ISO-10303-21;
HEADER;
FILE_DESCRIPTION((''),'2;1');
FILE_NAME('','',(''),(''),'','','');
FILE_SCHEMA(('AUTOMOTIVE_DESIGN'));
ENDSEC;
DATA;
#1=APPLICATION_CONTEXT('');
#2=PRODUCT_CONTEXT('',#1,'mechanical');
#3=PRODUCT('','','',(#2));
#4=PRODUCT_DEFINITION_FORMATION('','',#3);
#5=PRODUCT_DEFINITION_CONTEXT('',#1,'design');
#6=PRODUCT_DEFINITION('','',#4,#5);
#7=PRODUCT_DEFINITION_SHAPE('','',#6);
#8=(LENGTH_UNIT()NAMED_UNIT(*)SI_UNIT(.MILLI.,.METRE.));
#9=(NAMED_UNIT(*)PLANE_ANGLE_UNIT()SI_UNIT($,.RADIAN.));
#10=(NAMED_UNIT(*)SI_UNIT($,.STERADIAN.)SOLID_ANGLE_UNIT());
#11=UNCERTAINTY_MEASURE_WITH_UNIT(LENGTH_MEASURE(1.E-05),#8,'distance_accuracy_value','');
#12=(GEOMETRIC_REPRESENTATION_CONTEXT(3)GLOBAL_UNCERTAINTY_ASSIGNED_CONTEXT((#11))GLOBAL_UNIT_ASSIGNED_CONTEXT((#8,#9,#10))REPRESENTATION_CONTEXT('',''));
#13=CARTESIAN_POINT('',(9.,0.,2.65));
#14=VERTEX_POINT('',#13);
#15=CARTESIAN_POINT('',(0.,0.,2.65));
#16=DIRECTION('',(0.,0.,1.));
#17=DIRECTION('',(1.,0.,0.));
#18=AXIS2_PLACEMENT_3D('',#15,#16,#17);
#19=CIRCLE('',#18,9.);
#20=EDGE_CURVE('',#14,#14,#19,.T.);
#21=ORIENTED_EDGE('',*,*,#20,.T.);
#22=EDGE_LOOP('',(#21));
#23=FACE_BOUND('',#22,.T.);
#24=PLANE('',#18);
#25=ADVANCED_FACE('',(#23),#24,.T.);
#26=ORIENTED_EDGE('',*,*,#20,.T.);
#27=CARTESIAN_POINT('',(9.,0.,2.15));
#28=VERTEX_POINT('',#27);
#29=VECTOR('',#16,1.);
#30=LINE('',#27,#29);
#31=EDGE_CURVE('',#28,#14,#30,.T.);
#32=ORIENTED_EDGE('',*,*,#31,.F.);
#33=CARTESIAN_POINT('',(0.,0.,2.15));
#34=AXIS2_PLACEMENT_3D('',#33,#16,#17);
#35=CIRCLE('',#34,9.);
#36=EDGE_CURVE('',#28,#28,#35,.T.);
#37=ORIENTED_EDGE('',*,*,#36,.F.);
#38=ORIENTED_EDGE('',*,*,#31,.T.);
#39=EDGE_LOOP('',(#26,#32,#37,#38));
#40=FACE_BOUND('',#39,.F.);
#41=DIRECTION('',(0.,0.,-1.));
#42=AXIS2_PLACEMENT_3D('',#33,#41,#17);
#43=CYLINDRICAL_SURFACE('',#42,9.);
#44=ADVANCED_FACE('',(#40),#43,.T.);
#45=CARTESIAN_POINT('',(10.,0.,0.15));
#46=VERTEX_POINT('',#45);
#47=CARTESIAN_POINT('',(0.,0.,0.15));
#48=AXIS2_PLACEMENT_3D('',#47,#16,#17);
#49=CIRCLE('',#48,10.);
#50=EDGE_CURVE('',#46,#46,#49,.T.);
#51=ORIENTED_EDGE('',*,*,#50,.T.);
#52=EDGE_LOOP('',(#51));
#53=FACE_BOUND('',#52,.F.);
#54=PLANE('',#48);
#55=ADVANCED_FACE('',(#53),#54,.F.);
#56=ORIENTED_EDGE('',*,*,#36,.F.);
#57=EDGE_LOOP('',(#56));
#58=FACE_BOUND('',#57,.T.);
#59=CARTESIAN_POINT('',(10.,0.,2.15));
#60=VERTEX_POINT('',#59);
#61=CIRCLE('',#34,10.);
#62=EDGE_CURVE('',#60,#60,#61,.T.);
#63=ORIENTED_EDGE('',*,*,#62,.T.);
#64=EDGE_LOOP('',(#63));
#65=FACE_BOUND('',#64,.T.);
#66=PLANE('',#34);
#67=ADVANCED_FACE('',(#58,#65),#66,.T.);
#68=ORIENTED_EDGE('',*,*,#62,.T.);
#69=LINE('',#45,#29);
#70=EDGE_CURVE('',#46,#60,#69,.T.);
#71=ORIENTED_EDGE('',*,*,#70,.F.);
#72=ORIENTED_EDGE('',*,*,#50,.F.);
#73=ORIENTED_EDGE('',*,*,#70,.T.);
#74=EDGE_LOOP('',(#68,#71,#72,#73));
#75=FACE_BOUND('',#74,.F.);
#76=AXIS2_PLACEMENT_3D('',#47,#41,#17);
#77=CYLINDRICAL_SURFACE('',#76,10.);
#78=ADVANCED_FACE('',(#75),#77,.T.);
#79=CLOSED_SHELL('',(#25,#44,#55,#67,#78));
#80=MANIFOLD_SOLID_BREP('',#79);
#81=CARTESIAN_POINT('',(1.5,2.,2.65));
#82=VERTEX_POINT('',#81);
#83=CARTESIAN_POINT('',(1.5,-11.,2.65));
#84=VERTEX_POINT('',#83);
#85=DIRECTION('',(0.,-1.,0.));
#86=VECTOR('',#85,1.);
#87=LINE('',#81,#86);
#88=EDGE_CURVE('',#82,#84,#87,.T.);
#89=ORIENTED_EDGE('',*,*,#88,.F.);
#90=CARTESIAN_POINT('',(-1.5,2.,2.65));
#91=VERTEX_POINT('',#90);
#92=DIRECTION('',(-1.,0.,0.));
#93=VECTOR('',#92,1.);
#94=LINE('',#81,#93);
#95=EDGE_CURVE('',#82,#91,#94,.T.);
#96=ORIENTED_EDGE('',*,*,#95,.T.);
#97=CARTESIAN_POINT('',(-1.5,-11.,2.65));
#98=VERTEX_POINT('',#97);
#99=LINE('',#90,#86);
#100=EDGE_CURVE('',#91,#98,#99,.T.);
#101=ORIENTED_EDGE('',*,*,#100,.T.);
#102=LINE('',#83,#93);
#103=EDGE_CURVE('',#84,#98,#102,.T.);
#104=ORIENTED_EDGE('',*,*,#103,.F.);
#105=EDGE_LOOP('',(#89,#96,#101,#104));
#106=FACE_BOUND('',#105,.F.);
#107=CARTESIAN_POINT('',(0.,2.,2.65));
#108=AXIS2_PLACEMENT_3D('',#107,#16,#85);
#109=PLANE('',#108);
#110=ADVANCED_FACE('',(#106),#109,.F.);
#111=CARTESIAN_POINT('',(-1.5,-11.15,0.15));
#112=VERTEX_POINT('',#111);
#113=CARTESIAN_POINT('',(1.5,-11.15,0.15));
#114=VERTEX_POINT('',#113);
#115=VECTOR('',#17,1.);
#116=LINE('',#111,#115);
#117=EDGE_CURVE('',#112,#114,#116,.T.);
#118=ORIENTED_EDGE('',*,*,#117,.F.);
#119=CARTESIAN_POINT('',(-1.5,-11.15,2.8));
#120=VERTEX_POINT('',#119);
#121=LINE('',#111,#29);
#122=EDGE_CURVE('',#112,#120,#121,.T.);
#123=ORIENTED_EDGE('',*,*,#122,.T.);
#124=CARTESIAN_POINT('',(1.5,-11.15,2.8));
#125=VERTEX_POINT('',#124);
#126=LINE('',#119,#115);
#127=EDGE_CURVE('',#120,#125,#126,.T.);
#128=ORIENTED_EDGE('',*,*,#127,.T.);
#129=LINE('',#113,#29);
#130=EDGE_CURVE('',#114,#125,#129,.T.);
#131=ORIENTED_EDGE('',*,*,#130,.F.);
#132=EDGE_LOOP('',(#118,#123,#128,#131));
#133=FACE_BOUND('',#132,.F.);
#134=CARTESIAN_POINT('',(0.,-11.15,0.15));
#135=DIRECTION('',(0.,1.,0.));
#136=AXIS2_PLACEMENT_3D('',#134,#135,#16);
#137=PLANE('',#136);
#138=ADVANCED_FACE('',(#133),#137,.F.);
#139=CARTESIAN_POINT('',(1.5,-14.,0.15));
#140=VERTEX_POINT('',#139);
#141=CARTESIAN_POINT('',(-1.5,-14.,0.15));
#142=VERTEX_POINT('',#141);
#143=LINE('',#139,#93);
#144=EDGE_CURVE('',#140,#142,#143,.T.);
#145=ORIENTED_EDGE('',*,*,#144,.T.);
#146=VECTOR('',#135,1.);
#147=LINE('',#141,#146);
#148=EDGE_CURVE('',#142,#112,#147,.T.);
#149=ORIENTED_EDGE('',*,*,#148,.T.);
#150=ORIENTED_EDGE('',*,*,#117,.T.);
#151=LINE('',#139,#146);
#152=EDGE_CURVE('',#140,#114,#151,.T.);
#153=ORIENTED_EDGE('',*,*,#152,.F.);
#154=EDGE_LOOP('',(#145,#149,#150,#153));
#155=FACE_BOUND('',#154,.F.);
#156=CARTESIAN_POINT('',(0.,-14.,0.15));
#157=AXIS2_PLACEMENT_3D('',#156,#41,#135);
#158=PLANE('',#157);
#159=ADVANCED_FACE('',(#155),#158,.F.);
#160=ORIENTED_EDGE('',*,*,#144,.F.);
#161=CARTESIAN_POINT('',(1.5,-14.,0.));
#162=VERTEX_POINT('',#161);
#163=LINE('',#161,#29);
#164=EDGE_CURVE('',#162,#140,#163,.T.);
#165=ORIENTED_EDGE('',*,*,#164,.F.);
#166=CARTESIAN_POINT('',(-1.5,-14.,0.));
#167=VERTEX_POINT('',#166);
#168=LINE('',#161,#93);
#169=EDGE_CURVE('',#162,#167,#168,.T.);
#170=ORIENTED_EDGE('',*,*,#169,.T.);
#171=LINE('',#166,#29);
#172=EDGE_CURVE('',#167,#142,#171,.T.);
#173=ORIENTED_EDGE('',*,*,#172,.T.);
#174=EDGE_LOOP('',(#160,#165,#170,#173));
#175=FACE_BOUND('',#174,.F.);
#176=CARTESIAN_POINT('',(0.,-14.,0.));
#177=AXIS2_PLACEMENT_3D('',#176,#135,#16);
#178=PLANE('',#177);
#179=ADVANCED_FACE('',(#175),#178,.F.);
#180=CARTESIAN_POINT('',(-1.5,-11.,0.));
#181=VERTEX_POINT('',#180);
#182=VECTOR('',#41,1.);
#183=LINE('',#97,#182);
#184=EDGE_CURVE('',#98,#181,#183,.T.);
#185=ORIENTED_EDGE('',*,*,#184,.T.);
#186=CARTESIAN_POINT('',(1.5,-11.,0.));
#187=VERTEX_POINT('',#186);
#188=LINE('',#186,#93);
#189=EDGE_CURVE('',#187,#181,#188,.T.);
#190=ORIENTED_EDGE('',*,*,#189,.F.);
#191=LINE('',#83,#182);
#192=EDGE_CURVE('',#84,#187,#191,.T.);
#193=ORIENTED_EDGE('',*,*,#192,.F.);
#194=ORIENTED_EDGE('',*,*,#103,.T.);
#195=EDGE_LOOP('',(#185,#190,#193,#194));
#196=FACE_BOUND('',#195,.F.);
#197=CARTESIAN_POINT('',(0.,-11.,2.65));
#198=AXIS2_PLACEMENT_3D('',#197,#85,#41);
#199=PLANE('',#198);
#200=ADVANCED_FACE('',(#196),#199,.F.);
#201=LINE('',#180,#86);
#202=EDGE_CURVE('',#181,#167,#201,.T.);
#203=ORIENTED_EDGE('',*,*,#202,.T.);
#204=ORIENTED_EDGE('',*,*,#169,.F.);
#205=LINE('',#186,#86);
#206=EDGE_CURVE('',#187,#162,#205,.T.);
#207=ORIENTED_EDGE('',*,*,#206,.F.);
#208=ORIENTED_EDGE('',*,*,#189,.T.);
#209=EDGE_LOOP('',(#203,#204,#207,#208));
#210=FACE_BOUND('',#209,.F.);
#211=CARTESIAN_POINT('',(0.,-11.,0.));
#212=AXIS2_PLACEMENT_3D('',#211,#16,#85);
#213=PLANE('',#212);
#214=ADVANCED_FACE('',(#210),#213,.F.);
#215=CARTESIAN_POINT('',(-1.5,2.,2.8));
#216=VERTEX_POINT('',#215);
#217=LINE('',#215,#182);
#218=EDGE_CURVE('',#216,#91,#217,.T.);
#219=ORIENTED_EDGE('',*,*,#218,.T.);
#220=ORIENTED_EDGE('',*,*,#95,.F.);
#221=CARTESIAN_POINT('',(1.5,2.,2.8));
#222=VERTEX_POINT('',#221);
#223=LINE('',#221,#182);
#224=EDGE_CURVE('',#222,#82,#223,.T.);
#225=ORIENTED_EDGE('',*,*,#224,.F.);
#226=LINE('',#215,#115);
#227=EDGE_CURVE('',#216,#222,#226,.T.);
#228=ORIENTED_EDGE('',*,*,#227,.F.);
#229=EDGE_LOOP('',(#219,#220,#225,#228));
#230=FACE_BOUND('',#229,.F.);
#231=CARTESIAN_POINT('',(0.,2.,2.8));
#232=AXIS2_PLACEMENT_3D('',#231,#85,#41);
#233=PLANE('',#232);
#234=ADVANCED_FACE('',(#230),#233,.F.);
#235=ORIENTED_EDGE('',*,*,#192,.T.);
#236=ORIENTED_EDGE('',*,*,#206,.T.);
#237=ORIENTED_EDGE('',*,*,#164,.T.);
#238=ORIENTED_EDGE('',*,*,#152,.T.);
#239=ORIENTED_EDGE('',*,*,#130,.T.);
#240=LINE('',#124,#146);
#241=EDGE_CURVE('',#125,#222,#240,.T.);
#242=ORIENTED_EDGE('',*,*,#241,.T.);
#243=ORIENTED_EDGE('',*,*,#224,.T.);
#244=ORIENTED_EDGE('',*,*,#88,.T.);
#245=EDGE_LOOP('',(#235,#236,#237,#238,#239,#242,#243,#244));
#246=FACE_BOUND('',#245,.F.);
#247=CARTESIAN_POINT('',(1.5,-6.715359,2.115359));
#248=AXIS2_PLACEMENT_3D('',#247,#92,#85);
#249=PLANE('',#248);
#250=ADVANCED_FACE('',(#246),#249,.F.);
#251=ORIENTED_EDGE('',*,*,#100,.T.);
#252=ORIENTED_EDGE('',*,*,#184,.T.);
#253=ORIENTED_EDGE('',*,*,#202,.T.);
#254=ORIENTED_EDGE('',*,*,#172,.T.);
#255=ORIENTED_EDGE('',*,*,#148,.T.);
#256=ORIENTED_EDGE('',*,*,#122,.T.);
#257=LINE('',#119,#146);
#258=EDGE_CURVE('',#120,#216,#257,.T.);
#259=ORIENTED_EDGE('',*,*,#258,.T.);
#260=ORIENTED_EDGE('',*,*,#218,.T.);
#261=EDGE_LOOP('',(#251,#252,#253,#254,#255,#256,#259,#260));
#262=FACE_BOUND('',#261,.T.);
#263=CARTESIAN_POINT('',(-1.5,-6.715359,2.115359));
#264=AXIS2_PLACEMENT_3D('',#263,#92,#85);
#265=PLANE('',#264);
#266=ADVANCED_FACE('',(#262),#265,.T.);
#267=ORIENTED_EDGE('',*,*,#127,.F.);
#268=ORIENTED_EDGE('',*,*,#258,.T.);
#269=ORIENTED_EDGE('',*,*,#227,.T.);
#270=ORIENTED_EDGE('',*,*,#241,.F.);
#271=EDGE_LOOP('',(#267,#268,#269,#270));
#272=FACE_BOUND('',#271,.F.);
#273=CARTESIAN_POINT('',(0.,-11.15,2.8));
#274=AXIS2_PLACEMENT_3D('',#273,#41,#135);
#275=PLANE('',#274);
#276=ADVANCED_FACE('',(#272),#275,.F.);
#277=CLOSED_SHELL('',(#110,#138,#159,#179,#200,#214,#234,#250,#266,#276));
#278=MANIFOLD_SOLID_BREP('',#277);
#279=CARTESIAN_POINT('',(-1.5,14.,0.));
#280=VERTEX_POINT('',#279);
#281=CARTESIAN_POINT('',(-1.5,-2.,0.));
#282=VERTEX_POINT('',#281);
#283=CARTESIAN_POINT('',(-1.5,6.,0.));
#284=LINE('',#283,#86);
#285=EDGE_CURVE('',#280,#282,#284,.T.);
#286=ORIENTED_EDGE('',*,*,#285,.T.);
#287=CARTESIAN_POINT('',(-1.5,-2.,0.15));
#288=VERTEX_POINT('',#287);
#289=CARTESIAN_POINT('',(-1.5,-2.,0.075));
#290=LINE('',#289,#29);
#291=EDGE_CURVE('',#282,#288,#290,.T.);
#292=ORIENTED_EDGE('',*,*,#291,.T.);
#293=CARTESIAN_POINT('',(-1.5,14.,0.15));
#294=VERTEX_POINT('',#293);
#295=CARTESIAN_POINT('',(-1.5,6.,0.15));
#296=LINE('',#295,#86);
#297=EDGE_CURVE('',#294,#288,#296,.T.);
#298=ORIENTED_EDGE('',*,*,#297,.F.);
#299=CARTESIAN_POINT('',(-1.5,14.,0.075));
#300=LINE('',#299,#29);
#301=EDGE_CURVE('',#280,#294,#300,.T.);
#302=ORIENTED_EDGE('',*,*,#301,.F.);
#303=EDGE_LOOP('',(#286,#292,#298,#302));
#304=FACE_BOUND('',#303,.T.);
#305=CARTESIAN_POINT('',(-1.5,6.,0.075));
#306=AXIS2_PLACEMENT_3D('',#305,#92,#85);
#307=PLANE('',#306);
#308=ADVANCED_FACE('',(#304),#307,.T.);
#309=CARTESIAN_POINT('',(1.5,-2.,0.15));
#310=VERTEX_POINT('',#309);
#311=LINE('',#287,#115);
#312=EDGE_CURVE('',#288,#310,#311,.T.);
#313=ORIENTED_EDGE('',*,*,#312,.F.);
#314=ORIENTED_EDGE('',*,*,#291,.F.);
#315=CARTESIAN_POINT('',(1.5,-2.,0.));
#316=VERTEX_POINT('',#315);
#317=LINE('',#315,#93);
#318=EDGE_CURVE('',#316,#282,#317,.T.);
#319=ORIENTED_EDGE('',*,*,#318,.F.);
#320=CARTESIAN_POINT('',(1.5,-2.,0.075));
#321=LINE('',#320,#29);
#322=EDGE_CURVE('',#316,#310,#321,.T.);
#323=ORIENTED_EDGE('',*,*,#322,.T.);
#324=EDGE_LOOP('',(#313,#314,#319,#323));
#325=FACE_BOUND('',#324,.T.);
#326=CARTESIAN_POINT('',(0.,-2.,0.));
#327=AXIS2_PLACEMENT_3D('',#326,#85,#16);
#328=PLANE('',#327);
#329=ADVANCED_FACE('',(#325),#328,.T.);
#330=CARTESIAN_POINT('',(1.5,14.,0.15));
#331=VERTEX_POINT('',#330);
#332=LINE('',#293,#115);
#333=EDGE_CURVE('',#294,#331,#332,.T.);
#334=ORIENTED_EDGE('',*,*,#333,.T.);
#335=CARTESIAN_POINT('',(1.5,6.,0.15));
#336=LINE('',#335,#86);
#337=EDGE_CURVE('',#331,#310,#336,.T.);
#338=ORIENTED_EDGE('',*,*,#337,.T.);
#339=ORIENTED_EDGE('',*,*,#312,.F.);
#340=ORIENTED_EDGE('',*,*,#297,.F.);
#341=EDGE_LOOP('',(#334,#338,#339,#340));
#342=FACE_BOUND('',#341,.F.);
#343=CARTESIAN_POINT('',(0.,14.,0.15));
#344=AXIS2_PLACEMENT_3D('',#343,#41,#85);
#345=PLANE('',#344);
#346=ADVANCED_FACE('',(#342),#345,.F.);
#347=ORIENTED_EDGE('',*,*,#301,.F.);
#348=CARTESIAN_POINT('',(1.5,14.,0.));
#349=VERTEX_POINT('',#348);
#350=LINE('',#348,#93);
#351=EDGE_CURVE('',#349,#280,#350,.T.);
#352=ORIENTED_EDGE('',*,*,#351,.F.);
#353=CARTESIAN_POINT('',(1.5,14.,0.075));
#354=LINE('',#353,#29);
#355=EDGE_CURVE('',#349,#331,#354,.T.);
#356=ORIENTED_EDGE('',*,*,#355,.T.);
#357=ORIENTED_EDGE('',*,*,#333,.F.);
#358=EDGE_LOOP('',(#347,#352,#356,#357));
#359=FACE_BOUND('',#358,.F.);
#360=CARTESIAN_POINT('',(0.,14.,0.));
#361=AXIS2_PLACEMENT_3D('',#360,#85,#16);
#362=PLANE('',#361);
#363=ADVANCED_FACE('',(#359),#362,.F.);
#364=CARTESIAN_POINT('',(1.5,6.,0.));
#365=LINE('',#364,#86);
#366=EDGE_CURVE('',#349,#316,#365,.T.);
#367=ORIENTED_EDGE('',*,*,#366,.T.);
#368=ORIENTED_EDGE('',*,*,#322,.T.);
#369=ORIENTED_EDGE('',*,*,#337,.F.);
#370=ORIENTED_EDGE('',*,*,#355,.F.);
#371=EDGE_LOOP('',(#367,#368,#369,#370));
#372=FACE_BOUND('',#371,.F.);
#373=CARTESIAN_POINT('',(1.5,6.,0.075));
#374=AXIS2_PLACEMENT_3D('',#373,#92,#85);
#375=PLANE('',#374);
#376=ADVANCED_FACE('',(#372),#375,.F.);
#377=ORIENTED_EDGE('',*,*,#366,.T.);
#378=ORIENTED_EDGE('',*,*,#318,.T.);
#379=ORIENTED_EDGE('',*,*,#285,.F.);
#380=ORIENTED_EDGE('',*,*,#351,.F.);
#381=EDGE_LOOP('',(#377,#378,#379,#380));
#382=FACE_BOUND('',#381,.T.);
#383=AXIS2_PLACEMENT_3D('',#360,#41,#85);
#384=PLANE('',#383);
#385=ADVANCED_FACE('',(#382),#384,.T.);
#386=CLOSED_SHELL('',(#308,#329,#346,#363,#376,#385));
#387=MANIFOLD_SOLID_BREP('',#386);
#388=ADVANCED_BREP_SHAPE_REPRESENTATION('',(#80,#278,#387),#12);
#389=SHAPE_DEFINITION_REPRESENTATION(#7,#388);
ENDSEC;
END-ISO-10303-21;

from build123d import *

# Parameters (mm, degrees)
SKETCH_R                = 10
PAD_DEPTH               = 2
SKETCH001_R             = 9
PAD001_DEPTH            = 0.5
SKETCH003_W             = 16
SKETCH003_H             = 0.15
PAD003_DEPTH            = 1.5
BODY001_PLACEMENT_ANGLE = 180


with BuildPart() as battery:
    # Sketch (on XY_Plane of Origin) → Pad (new body)
    with BuildSketch(Plane.XY.offset(0.15)):
        Circle(SKETCH_R)
    extrude(amount=PAD_DEPTH)

    # Sketch001 (on Face3 of Pad) → Pad001 (join)
    with BuildSketch(Plane.XY.offset(2.15)):
        Circle(SKETCH001_R)
    extrude(amount=PAD001_DEPTH)


with BuildPart() as tabs:
    # Sketch003 (on YZ_Plane of Origin) → Pad003 (new body, symmetric)
    with BuildSketch(Plane.YZ):
        Polygon((-2, 2.8), (-2, 2.65), (11, 2.65), (11, 0), (14, 0), (14, 0.15), (11.15, 0.15), (11.15, 2.8), align=None)
        with Locations((-6, 0.075)):
            Rectangle(SKETCH003_W, SKETCH003_H)
    extrude(amount=PAD003_DEPTH, both=True)


with BuildPart() as tabs_1:
    # Body001 placement: moved
    add(tabs.part.rotate(Axis((0, 0, 0), (0, 0, 1)), BODY001_PLACEMENT_ANGLE))


solid = Compound([battery.part, tabs_1.part])
